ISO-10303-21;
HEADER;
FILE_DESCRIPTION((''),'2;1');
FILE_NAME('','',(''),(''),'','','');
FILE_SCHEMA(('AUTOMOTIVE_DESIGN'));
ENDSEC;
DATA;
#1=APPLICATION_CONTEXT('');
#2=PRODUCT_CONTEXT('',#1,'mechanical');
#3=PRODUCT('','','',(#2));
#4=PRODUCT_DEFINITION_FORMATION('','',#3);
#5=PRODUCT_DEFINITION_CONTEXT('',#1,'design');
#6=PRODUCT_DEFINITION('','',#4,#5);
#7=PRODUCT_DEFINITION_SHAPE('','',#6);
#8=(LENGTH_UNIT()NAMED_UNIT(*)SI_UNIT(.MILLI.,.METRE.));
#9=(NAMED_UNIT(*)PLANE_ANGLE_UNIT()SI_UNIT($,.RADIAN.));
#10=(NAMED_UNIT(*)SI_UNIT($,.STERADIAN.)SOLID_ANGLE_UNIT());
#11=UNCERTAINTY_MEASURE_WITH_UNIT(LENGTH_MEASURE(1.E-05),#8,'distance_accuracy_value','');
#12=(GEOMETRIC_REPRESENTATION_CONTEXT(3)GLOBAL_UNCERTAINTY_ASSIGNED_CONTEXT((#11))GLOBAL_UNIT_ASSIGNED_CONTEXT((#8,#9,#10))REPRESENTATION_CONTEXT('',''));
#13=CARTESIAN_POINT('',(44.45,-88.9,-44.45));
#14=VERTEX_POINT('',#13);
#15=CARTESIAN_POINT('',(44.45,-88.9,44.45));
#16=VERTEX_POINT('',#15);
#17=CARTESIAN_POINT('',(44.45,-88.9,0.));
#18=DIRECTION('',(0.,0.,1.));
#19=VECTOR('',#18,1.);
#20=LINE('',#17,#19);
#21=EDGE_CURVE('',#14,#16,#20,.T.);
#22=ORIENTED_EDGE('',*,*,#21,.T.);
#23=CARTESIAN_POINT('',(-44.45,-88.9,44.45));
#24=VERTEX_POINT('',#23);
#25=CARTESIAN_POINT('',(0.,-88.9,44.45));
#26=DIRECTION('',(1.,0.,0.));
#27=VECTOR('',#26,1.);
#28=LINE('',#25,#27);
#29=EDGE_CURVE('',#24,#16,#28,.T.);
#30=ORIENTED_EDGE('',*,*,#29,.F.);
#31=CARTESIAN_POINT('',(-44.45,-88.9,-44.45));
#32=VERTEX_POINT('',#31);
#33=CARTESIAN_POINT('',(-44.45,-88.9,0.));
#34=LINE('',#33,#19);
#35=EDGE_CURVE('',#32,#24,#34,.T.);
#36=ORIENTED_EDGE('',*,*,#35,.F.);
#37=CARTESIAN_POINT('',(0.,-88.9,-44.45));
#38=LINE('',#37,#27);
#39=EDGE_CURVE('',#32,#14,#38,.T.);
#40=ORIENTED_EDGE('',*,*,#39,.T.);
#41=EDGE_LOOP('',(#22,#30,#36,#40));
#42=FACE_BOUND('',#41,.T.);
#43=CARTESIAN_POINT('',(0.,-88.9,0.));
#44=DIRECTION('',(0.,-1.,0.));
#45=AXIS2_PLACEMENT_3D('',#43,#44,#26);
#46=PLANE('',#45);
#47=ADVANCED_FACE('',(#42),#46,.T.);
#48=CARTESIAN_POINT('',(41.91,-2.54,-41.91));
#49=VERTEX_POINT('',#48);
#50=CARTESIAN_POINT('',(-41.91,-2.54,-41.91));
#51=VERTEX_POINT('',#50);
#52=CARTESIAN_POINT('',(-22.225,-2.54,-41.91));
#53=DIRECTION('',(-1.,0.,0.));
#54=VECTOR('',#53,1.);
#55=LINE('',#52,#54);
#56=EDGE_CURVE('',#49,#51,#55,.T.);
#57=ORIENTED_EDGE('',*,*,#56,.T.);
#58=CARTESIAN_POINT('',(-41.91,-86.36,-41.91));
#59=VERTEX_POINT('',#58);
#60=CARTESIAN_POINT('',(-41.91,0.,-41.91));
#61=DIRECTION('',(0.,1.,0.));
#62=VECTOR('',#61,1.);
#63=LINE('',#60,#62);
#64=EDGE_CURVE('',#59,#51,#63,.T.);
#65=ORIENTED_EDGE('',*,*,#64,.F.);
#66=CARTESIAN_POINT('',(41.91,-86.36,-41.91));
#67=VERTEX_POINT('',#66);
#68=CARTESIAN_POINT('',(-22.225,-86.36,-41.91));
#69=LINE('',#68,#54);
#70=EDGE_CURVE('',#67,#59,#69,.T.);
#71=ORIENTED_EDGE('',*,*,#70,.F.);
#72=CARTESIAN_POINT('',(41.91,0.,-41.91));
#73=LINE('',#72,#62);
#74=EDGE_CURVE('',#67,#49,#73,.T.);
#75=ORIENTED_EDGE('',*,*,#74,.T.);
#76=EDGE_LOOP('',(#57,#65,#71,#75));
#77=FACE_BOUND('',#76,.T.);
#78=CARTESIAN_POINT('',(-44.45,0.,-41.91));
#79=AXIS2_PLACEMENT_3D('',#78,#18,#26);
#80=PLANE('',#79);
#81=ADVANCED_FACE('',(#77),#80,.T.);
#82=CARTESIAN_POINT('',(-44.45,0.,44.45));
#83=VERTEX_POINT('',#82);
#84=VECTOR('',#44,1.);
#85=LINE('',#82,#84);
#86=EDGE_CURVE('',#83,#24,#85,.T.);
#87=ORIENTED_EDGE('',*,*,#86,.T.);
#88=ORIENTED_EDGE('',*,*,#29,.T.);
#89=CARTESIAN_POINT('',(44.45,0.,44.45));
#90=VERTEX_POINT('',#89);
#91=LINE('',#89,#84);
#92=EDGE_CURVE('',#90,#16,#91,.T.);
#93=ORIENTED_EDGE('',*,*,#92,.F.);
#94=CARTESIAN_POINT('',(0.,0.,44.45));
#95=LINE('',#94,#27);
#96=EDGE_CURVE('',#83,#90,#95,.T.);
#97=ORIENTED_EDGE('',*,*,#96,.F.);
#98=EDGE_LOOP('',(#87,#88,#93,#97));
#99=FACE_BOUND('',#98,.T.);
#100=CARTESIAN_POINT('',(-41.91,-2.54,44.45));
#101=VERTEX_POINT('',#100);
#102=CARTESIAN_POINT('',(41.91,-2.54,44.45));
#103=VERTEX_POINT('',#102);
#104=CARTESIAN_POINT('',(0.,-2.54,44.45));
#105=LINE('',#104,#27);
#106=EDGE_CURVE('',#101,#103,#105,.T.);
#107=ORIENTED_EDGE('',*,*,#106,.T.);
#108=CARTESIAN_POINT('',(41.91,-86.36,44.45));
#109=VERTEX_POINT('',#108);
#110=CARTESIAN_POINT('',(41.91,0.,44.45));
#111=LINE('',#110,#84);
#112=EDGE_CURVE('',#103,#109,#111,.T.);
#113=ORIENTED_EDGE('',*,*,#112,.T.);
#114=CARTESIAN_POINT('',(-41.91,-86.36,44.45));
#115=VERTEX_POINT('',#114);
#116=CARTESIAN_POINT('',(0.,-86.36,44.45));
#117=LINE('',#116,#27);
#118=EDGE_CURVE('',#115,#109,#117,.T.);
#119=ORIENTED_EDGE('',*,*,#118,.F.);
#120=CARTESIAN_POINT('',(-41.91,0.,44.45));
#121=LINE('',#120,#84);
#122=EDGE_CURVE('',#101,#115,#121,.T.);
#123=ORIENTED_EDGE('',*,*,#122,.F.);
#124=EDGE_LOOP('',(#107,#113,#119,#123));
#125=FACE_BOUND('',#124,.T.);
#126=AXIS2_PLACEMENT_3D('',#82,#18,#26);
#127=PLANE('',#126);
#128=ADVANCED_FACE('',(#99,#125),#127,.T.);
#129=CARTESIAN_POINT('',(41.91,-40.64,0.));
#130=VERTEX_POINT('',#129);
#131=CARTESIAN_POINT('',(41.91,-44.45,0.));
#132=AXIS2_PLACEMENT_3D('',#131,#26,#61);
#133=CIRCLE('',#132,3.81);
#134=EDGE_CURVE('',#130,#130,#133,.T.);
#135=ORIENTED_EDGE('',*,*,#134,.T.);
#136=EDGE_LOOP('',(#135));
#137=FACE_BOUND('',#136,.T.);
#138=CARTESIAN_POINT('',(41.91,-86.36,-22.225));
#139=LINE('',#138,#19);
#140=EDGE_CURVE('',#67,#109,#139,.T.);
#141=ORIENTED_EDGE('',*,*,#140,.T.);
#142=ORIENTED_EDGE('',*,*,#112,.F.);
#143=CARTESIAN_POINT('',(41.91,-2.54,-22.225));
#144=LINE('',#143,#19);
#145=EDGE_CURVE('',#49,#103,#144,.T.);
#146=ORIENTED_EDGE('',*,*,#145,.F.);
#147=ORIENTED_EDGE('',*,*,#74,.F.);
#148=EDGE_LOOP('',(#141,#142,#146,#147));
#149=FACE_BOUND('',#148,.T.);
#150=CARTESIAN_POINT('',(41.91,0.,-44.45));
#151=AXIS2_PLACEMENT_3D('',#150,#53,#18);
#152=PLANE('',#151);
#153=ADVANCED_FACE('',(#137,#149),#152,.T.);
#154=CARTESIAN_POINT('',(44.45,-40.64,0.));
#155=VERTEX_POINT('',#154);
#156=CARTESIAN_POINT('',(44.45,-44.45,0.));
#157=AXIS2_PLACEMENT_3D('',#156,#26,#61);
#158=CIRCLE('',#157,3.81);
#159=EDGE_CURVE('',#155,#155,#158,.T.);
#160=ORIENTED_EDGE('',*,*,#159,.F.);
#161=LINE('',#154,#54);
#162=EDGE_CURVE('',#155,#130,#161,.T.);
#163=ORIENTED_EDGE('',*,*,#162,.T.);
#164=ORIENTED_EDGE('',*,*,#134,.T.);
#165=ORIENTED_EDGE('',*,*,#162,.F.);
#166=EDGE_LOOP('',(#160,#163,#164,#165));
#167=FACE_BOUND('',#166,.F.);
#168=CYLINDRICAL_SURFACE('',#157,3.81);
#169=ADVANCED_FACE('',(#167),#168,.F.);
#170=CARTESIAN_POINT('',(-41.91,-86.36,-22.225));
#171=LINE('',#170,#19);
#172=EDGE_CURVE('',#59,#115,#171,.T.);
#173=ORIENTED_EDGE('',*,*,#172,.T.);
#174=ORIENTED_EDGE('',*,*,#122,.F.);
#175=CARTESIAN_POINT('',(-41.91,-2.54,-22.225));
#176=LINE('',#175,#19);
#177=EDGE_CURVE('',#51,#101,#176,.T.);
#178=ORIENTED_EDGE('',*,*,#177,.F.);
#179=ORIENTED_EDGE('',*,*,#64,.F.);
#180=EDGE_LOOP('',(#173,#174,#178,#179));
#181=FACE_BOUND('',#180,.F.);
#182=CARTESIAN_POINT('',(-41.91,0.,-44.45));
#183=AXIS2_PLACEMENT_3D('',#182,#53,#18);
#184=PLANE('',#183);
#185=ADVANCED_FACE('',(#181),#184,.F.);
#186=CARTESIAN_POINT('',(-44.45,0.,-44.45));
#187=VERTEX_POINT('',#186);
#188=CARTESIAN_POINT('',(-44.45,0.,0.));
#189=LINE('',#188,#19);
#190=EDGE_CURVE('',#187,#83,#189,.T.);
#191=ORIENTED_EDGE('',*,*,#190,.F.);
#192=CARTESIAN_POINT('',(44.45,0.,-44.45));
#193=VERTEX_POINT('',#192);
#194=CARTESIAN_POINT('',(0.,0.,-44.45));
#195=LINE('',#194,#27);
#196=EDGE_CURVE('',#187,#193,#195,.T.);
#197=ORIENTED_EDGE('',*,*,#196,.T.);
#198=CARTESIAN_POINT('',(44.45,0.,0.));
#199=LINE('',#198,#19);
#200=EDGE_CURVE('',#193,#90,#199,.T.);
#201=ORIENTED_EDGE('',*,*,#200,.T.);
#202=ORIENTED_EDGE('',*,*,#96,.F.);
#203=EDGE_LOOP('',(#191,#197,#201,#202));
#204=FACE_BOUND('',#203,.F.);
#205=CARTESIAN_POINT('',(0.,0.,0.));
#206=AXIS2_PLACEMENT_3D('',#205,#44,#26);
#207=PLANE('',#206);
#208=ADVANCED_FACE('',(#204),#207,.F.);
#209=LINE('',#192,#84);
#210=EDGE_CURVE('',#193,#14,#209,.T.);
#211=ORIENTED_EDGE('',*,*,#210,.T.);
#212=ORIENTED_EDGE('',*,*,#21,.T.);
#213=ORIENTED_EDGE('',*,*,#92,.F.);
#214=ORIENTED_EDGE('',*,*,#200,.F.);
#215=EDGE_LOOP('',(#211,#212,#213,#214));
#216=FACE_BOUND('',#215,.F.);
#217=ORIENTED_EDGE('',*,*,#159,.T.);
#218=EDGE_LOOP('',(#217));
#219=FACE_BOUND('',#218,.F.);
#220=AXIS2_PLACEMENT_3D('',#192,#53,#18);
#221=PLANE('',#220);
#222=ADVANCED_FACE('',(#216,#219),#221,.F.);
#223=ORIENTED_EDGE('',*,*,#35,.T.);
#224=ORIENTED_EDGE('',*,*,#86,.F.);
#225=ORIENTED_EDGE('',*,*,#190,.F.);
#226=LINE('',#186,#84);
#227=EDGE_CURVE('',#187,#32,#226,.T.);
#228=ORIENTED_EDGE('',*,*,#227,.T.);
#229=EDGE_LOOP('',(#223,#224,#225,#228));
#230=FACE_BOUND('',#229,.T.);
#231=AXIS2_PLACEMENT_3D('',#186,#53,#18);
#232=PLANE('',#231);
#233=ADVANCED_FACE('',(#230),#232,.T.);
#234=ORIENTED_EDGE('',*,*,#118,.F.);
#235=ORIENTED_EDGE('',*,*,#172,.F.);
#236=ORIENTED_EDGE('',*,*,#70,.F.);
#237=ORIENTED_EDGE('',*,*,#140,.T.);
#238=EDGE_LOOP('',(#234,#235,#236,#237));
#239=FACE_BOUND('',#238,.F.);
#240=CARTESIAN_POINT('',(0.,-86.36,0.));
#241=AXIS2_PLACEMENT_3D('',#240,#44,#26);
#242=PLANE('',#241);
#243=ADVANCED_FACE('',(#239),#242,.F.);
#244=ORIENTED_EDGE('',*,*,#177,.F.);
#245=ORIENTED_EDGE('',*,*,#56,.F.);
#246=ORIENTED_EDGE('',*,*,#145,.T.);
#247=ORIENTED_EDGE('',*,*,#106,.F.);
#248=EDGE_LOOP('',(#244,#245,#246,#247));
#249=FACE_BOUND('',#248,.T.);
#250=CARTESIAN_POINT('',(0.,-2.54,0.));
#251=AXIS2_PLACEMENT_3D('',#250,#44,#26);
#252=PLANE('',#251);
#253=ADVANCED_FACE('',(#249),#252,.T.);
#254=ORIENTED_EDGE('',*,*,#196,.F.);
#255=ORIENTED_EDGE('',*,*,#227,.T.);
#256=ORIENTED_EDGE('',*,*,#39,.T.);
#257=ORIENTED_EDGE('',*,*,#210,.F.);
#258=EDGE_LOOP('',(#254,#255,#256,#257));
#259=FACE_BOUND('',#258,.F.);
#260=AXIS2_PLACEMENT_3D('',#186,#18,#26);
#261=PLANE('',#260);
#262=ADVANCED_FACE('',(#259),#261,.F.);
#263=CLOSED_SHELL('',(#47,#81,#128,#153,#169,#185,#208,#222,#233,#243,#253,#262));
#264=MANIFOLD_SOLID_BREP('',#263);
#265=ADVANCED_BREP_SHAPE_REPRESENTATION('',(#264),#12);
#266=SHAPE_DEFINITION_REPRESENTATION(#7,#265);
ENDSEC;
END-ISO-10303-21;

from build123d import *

# Parameters (mm, degrees)
F0_W     = 88.9
F0_H     = 88.9
F1_DEPTH = 88.9
F2_T     = -2.54
F3_R     = 3.81
F4_DEPTH = 25.4


with BuildPart() as f1:
    # F0 (on Front) → F1 (new body)
    with BuildSketch(Plane.XZ):
        Rectangle(F0_W, F0_H)
    extrude(amount=F1_DEPTH)

    # F2
    f2_openings = [f1.faces().sort_by_distance(p)[0] for p in [
        (0, -44.45, 44.45),
    ]]
    offset(amount=F2_T, openings=f2_openings)

    # F3 (on face) → F4 (cut)
    with BuildSketch(Plane.YZ.offset(44.45)):
        with Locations((-44.45, 0)):
            Circle(F3_R)
    extrude(amount=-F4_DEPTH, mode=Mode.SUBTRACT)


solid = f1.part
